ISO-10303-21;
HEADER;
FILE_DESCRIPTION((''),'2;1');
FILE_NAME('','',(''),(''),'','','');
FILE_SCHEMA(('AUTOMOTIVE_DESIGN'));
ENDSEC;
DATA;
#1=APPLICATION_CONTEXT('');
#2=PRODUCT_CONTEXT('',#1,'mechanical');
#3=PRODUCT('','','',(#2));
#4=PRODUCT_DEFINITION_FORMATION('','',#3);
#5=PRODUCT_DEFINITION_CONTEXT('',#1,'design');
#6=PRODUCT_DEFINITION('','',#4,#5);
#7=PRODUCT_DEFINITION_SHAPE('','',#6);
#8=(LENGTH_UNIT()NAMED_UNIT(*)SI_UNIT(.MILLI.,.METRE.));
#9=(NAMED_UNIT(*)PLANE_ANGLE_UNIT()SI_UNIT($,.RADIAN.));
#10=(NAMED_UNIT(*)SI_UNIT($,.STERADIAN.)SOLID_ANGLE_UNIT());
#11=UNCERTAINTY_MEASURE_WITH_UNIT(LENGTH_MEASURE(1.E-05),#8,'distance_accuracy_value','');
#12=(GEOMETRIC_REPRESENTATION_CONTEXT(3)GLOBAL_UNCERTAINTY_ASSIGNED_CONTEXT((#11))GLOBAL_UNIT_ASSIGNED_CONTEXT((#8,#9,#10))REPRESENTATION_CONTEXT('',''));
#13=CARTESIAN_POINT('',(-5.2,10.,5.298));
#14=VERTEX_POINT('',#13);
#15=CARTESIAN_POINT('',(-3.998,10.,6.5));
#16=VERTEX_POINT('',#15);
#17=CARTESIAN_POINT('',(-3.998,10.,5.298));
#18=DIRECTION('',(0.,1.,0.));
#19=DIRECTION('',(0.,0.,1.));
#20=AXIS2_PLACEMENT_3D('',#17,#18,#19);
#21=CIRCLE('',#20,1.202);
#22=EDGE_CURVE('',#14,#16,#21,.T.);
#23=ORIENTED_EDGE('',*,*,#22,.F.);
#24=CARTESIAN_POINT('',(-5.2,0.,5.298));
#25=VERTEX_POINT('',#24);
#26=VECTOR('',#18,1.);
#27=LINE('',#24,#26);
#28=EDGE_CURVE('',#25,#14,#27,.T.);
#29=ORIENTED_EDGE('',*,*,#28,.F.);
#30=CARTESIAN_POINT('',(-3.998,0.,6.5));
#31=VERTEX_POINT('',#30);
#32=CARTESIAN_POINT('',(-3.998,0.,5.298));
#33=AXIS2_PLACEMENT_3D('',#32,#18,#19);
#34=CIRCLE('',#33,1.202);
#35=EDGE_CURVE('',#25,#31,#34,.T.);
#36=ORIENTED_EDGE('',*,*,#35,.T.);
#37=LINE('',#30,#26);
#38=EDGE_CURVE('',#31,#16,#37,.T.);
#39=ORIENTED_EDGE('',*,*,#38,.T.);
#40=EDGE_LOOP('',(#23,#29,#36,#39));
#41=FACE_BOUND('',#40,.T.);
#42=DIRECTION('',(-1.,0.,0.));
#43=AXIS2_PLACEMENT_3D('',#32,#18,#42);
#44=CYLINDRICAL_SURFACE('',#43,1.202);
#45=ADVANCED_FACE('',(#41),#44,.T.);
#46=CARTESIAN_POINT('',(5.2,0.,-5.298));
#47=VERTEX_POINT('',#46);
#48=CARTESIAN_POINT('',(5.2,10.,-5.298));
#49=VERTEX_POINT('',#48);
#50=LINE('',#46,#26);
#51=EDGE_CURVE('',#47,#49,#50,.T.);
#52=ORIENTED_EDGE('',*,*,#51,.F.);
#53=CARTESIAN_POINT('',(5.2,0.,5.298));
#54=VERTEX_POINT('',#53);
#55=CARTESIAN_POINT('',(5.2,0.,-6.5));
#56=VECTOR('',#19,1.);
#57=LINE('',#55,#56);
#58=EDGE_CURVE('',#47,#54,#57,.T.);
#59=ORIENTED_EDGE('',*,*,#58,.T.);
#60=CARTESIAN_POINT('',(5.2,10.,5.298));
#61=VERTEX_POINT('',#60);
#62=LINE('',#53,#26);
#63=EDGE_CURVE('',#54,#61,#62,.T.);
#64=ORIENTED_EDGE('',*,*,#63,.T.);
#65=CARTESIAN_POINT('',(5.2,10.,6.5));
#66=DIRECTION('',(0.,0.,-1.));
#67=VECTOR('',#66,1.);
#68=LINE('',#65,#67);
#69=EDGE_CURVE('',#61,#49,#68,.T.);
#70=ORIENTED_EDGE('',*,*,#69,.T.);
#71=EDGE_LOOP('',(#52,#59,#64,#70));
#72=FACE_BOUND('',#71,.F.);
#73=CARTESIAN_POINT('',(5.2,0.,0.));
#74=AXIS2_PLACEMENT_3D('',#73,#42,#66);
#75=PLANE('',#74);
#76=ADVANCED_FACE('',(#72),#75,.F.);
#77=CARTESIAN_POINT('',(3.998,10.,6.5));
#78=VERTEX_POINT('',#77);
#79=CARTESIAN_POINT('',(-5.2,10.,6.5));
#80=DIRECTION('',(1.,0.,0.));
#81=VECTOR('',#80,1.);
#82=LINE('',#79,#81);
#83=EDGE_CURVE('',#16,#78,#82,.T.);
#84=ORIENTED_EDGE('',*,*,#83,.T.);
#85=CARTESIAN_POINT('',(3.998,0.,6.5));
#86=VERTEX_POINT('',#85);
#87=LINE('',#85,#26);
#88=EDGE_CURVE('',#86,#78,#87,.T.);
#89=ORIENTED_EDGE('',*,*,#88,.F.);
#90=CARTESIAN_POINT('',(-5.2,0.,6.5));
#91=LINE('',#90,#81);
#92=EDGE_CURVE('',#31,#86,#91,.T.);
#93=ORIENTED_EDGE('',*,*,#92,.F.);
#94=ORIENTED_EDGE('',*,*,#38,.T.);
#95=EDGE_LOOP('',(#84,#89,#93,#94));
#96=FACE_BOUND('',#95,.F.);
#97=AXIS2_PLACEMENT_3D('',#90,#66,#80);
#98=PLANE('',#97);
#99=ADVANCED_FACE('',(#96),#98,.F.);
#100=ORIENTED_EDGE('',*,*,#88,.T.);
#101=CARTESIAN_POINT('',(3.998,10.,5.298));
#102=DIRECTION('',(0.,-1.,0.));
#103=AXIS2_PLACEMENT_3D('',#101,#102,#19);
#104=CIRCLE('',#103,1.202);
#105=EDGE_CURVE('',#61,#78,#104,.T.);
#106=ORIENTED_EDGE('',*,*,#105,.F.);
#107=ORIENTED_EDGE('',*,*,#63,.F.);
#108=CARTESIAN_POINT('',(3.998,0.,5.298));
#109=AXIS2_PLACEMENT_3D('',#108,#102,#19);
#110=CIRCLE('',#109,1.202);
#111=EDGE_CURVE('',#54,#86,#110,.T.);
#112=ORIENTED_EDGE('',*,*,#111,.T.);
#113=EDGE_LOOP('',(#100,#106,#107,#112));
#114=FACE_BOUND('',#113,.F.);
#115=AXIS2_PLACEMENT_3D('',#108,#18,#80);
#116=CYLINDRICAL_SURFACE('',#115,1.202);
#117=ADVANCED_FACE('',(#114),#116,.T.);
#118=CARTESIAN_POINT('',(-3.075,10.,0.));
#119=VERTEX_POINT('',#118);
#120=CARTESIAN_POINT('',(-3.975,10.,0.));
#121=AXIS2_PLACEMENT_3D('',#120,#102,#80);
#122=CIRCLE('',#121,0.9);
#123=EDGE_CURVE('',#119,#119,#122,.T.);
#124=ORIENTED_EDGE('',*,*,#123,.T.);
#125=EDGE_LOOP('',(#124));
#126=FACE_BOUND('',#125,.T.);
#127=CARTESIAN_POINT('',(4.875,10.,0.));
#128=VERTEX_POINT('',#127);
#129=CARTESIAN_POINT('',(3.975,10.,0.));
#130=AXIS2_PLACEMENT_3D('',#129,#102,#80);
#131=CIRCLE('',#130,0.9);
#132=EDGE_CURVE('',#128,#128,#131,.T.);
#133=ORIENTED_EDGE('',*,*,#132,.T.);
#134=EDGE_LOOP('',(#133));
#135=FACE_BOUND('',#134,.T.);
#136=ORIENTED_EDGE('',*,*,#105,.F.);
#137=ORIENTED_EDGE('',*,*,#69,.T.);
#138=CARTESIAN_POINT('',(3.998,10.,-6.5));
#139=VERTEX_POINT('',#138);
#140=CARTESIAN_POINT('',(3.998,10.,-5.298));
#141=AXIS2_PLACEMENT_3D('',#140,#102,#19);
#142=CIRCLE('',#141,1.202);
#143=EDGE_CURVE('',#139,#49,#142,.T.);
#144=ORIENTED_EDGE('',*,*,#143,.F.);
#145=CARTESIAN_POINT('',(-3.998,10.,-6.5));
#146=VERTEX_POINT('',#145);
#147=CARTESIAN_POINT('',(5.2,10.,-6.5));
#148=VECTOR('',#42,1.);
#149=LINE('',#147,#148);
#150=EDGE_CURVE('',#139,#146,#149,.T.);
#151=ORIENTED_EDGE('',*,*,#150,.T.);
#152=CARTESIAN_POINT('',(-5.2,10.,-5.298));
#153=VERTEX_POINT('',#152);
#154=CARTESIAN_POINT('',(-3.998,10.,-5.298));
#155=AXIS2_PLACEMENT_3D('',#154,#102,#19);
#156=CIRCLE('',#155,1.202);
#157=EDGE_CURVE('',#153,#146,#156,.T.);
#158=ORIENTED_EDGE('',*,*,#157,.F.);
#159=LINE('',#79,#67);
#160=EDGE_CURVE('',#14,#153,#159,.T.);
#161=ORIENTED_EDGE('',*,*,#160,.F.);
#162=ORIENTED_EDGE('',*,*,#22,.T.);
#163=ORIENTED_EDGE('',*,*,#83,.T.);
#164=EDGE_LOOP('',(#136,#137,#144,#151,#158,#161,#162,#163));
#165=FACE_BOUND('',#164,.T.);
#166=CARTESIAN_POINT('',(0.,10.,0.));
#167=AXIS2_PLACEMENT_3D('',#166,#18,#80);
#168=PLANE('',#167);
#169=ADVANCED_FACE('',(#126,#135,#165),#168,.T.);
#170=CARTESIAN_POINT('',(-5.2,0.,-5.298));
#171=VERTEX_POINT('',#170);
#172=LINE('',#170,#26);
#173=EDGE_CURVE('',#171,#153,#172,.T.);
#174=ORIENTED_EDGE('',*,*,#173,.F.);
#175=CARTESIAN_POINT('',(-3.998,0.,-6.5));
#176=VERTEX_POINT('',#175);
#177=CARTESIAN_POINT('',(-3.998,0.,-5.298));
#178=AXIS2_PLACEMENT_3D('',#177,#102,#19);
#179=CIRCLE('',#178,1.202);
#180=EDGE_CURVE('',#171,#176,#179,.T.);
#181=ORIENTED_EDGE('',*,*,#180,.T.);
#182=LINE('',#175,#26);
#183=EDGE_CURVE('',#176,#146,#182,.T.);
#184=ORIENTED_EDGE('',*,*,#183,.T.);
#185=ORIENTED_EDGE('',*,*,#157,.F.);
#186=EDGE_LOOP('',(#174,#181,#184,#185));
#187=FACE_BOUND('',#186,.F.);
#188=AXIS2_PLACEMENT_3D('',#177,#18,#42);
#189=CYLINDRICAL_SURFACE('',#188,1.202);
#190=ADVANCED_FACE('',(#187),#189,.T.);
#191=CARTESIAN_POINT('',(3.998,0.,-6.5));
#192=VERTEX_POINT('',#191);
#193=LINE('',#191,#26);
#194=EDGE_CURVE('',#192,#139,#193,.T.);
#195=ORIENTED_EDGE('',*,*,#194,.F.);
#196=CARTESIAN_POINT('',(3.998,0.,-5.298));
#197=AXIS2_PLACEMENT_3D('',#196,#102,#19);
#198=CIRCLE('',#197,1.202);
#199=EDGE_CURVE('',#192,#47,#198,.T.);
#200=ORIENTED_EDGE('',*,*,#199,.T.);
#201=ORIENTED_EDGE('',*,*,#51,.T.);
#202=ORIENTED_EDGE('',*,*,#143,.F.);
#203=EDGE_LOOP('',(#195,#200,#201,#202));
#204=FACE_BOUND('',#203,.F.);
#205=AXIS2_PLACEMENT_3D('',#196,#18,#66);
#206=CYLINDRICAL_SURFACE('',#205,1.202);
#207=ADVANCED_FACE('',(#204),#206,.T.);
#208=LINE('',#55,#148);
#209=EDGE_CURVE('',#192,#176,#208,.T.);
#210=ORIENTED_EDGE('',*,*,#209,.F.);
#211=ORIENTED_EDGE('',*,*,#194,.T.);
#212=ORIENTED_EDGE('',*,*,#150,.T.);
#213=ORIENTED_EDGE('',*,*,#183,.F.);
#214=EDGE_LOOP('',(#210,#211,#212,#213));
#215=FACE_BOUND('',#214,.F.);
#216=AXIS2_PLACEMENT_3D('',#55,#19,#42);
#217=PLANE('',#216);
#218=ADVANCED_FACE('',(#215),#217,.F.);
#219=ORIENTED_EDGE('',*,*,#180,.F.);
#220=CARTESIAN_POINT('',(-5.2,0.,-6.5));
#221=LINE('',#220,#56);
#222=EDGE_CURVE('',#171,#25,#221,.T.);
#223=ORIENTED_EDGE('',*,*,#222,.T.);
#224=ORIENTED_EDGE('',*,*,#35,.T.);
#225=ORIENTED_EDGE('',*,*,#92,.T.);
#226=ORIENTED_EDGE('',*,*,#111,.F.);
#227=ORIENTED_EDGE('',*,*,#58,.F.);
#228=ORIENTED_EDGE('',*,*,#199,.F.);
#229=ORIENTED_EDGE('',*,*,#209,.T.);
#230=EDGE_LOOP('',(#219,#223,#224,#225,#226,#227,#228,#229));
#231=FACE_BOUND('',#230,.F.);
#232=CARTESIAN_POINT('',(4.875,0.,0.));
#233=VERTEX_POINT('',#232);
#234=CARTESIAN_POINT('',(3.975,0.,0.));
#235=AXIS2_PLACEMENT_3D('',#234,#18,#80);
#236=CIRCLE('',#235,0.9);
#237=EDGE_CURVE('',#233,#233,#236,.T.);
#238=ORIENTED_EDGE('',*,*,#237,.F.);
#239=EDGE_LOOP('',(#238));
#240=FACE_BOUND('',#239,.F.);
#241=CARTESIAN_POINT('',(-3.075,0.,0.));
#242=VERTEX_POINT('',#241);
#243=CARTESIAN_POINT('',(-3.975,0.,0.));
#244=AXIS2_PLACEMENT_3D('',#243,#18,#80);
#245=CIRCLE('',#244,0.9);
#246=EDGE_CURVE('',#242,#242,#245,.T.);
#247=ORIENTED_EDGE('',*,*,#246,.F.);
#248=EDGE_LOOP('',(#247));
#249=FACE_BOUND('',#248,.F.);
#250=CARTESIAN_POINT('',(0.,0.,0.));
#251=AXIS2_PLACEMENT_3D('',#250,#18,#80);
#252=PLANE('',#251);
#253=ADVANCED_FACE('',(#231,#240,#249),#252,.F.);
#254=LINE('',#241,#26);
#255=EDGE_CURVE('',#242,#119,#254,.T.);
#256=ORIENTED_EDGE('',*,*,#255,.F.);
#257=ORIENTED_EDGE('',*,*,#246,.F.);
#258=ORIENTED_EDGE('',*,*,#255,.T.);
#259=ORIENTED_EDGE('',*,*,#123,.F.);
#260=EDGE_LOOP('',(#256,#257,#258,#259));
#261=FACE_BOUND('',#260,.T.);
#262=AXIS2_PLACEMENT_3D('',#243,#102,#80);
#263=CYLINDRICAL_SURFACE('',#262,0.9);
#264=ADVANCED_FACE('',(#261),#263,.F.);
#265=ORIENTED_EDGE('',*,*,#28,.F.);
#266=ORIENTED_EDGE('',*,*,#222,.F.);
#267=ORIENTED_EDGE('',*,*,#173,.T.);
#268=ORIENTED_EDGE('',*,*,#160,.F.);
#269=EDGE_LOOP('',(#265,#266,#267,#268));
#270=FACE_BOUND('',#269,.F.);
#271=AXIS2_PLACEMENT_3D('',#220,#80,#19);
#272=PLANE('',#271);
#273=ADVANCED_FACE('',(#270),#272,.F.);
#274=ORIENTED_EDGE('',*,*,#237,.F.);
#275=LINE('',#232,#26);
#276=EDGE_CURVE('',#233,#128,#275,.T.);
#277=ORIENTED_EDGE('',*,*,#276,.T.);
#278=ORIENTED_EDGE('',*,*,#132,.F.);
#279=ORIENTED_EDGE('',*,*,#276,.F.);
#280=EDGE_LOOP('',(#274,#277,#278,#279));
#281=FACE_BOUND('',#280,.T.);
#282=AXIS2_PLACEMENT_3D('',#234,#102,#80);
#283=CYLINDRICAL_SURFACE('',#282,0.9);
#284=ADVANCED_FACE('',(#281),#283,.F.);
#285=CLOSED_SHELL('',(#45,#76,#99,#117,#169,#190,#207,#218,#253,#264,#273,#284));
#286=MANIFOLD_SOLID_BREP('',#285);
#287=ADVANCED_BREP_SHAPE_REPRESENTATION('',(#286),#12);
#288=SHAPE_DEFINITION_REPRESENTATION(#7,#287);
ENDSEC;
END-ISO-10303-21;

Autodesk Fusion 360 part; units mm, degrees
sketch "Sketch1" plane through (0, 0, 0) normal (1, 0, 0) x (0, 0, -1)
sketch "Sketch2" plane through (0, 0, 0) normal (0, 1, 0) x (1, 0, 0)
  line L0 (0, 0) -> (2.75, 0)
  line L1 (0, 0) -> (-2.75, 0)
  line L2 (0, 0) -> (5.2, 0)
  line L3 (0, 0) -> (-5.2, 0)
  circle A0 centre (-3.975, 0) radius 1.225
  circle A1 centre (3.975, 0) radius 1.225
  line L4 (5.2, 6.5) -> (-5.2, 6.5)
  line L5 (-5.2, 6.5) -> (-5.2, -6.5)
  line L6 (-5.2, -6.5) -> (5.2, -6.5)
  line L7 (5.2, -6.5) -> (5.2, 6.5)
  line L8 (5.2, 6.5) -> (-5.2, -6.5) construction
  line L9 (-5.2, 6.5) -> (5.2, -6.5) construction
  circle A2 centre (-3.975, 0) radius 0.9
  circle A3 centre (3.975, 0) radius 0.9
  dimension "d1" = 2.75
  dimension "d2" = 2.75
  dimension "d3" = 5.2
  dimension "d4" = 13
  dimension "d7" = 1.8
  dimension "d8" = 1.8
  dimension "d10" = 2.45
extrude "Extrude1" add sketch "Sketch2" along normal blind 10 contours L0 L1 L2 L3 A0 A1 L4 L5 L7 | L0 L1 L2 L3 A0 A1 L5 L6 L7 | L2 A1 A3 | L2 A1 A3 | L3 A0 A2 | L3 A0 A2
fillet "Fillet1" radius 1.202 4 edges at (-5.2, 5, 6.5) (-5.2, 5, -6.5) (5.2, 5, 6.5) (5.2, 5, -6.5)
equation "d1 = ( 5.5 / 2 ) * 1 mm"
equation "d2 = ( 5.5 / 2 ) * 1 mm"
equation "d3 = ( 10.4 / 2 ) * 1 mm"
